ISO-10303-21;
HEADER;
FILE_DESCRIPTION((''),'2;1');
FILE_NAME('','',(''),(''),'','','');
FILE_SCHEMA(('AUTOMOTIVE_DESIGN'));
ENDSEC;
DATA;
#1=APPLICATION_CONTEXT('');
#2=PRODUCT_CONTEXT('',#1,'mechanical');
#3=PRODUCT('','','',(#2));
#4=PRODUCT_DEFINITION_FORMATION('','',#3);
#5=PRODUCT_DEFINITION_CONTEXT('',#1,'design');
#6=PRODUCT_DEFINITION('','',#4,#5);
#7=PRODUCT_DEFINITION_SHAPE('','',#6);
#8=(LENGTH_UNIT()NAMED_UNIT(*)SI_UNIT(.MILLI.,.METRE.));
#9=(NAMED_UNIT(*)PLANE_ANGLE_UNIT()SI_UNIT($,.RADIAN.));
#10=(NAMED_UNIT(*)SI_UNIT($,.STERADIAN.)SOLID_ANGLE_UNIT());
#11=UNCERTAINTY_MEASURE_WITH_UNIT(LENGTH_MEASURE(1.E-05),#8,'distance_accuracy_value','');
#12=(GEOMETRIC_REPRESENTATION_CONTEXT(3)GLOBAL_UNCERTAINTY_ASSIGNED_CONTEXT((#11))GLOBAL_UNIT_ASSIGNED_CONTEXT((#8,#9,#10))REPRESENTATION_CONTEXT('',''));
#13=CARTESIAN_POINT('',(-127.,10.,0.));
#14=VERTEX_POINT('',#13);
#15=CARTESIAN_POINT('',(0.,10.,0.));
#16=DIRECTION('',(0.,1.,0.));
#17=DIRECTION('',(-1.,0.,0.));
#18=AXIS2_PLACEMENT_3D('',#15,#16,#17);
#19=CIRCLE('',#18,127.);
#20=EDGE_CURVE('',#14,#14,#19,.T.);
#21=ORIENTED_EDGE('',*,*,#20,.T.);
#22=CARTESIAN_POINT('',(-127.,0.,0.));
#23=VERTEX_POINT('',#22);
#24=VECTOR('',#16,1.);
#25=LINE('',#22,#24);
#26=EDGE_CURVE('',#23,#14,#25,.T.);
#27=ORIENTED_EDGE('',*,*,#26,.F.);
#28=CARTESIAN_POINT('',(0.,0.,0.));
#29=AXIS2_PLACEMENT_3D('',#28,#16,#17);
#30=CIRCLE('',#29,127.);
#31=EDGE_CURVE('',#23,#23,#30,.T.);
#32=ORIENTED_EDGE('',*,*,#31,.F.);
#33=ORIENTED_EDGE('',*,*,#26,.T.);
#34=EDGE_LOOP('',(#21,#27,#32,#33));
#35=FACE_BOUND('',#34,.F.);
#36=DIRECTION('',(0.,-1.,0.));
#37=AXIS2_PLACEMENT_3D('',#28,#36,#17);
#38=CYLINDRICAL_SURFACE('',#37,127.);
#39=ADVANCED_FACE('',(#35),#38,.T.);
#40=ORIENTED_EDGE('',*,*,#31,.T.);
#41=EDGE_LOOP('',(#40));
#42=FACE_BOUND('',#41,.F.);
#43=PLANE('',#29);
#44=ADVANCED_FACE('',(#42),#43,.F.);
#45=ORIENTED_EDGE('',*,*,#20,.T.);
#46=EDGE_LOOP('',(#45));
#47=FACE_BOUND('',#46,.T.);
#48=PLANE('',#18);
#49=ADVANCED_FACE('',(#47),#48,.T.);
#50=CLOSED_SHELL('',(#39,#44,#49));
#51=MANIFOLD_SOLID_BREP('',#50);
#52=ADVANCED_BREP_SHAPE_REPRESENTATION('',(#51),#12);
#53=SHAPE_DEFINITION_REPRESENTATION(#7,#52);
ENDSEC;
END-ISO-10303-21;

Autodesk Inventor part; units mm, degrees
ref_plane "YZ Plane" through (0, 0, 0) normal (1, 0, 0) x (0, 1, 0)
ref_plane "XZ Plane" through (0, 0, 0) normal (0, 1, 0) x (-1, 0, 0)
ref_plane "XY Plane" through (0, 0, 0) normal (0, 0, 1) x (1, 0, 0)
sketch "Sketch1" plane through (0, 0, 0) normal (0, 1, 0) x (-1, 0, 0)
  circle A0 centre (0, 0) radius 127
  dimension "d0" = 254
extrude "Extrusion1" add sketch "Sketch1" along normal blind 10
properties part number "impactorCheck"
